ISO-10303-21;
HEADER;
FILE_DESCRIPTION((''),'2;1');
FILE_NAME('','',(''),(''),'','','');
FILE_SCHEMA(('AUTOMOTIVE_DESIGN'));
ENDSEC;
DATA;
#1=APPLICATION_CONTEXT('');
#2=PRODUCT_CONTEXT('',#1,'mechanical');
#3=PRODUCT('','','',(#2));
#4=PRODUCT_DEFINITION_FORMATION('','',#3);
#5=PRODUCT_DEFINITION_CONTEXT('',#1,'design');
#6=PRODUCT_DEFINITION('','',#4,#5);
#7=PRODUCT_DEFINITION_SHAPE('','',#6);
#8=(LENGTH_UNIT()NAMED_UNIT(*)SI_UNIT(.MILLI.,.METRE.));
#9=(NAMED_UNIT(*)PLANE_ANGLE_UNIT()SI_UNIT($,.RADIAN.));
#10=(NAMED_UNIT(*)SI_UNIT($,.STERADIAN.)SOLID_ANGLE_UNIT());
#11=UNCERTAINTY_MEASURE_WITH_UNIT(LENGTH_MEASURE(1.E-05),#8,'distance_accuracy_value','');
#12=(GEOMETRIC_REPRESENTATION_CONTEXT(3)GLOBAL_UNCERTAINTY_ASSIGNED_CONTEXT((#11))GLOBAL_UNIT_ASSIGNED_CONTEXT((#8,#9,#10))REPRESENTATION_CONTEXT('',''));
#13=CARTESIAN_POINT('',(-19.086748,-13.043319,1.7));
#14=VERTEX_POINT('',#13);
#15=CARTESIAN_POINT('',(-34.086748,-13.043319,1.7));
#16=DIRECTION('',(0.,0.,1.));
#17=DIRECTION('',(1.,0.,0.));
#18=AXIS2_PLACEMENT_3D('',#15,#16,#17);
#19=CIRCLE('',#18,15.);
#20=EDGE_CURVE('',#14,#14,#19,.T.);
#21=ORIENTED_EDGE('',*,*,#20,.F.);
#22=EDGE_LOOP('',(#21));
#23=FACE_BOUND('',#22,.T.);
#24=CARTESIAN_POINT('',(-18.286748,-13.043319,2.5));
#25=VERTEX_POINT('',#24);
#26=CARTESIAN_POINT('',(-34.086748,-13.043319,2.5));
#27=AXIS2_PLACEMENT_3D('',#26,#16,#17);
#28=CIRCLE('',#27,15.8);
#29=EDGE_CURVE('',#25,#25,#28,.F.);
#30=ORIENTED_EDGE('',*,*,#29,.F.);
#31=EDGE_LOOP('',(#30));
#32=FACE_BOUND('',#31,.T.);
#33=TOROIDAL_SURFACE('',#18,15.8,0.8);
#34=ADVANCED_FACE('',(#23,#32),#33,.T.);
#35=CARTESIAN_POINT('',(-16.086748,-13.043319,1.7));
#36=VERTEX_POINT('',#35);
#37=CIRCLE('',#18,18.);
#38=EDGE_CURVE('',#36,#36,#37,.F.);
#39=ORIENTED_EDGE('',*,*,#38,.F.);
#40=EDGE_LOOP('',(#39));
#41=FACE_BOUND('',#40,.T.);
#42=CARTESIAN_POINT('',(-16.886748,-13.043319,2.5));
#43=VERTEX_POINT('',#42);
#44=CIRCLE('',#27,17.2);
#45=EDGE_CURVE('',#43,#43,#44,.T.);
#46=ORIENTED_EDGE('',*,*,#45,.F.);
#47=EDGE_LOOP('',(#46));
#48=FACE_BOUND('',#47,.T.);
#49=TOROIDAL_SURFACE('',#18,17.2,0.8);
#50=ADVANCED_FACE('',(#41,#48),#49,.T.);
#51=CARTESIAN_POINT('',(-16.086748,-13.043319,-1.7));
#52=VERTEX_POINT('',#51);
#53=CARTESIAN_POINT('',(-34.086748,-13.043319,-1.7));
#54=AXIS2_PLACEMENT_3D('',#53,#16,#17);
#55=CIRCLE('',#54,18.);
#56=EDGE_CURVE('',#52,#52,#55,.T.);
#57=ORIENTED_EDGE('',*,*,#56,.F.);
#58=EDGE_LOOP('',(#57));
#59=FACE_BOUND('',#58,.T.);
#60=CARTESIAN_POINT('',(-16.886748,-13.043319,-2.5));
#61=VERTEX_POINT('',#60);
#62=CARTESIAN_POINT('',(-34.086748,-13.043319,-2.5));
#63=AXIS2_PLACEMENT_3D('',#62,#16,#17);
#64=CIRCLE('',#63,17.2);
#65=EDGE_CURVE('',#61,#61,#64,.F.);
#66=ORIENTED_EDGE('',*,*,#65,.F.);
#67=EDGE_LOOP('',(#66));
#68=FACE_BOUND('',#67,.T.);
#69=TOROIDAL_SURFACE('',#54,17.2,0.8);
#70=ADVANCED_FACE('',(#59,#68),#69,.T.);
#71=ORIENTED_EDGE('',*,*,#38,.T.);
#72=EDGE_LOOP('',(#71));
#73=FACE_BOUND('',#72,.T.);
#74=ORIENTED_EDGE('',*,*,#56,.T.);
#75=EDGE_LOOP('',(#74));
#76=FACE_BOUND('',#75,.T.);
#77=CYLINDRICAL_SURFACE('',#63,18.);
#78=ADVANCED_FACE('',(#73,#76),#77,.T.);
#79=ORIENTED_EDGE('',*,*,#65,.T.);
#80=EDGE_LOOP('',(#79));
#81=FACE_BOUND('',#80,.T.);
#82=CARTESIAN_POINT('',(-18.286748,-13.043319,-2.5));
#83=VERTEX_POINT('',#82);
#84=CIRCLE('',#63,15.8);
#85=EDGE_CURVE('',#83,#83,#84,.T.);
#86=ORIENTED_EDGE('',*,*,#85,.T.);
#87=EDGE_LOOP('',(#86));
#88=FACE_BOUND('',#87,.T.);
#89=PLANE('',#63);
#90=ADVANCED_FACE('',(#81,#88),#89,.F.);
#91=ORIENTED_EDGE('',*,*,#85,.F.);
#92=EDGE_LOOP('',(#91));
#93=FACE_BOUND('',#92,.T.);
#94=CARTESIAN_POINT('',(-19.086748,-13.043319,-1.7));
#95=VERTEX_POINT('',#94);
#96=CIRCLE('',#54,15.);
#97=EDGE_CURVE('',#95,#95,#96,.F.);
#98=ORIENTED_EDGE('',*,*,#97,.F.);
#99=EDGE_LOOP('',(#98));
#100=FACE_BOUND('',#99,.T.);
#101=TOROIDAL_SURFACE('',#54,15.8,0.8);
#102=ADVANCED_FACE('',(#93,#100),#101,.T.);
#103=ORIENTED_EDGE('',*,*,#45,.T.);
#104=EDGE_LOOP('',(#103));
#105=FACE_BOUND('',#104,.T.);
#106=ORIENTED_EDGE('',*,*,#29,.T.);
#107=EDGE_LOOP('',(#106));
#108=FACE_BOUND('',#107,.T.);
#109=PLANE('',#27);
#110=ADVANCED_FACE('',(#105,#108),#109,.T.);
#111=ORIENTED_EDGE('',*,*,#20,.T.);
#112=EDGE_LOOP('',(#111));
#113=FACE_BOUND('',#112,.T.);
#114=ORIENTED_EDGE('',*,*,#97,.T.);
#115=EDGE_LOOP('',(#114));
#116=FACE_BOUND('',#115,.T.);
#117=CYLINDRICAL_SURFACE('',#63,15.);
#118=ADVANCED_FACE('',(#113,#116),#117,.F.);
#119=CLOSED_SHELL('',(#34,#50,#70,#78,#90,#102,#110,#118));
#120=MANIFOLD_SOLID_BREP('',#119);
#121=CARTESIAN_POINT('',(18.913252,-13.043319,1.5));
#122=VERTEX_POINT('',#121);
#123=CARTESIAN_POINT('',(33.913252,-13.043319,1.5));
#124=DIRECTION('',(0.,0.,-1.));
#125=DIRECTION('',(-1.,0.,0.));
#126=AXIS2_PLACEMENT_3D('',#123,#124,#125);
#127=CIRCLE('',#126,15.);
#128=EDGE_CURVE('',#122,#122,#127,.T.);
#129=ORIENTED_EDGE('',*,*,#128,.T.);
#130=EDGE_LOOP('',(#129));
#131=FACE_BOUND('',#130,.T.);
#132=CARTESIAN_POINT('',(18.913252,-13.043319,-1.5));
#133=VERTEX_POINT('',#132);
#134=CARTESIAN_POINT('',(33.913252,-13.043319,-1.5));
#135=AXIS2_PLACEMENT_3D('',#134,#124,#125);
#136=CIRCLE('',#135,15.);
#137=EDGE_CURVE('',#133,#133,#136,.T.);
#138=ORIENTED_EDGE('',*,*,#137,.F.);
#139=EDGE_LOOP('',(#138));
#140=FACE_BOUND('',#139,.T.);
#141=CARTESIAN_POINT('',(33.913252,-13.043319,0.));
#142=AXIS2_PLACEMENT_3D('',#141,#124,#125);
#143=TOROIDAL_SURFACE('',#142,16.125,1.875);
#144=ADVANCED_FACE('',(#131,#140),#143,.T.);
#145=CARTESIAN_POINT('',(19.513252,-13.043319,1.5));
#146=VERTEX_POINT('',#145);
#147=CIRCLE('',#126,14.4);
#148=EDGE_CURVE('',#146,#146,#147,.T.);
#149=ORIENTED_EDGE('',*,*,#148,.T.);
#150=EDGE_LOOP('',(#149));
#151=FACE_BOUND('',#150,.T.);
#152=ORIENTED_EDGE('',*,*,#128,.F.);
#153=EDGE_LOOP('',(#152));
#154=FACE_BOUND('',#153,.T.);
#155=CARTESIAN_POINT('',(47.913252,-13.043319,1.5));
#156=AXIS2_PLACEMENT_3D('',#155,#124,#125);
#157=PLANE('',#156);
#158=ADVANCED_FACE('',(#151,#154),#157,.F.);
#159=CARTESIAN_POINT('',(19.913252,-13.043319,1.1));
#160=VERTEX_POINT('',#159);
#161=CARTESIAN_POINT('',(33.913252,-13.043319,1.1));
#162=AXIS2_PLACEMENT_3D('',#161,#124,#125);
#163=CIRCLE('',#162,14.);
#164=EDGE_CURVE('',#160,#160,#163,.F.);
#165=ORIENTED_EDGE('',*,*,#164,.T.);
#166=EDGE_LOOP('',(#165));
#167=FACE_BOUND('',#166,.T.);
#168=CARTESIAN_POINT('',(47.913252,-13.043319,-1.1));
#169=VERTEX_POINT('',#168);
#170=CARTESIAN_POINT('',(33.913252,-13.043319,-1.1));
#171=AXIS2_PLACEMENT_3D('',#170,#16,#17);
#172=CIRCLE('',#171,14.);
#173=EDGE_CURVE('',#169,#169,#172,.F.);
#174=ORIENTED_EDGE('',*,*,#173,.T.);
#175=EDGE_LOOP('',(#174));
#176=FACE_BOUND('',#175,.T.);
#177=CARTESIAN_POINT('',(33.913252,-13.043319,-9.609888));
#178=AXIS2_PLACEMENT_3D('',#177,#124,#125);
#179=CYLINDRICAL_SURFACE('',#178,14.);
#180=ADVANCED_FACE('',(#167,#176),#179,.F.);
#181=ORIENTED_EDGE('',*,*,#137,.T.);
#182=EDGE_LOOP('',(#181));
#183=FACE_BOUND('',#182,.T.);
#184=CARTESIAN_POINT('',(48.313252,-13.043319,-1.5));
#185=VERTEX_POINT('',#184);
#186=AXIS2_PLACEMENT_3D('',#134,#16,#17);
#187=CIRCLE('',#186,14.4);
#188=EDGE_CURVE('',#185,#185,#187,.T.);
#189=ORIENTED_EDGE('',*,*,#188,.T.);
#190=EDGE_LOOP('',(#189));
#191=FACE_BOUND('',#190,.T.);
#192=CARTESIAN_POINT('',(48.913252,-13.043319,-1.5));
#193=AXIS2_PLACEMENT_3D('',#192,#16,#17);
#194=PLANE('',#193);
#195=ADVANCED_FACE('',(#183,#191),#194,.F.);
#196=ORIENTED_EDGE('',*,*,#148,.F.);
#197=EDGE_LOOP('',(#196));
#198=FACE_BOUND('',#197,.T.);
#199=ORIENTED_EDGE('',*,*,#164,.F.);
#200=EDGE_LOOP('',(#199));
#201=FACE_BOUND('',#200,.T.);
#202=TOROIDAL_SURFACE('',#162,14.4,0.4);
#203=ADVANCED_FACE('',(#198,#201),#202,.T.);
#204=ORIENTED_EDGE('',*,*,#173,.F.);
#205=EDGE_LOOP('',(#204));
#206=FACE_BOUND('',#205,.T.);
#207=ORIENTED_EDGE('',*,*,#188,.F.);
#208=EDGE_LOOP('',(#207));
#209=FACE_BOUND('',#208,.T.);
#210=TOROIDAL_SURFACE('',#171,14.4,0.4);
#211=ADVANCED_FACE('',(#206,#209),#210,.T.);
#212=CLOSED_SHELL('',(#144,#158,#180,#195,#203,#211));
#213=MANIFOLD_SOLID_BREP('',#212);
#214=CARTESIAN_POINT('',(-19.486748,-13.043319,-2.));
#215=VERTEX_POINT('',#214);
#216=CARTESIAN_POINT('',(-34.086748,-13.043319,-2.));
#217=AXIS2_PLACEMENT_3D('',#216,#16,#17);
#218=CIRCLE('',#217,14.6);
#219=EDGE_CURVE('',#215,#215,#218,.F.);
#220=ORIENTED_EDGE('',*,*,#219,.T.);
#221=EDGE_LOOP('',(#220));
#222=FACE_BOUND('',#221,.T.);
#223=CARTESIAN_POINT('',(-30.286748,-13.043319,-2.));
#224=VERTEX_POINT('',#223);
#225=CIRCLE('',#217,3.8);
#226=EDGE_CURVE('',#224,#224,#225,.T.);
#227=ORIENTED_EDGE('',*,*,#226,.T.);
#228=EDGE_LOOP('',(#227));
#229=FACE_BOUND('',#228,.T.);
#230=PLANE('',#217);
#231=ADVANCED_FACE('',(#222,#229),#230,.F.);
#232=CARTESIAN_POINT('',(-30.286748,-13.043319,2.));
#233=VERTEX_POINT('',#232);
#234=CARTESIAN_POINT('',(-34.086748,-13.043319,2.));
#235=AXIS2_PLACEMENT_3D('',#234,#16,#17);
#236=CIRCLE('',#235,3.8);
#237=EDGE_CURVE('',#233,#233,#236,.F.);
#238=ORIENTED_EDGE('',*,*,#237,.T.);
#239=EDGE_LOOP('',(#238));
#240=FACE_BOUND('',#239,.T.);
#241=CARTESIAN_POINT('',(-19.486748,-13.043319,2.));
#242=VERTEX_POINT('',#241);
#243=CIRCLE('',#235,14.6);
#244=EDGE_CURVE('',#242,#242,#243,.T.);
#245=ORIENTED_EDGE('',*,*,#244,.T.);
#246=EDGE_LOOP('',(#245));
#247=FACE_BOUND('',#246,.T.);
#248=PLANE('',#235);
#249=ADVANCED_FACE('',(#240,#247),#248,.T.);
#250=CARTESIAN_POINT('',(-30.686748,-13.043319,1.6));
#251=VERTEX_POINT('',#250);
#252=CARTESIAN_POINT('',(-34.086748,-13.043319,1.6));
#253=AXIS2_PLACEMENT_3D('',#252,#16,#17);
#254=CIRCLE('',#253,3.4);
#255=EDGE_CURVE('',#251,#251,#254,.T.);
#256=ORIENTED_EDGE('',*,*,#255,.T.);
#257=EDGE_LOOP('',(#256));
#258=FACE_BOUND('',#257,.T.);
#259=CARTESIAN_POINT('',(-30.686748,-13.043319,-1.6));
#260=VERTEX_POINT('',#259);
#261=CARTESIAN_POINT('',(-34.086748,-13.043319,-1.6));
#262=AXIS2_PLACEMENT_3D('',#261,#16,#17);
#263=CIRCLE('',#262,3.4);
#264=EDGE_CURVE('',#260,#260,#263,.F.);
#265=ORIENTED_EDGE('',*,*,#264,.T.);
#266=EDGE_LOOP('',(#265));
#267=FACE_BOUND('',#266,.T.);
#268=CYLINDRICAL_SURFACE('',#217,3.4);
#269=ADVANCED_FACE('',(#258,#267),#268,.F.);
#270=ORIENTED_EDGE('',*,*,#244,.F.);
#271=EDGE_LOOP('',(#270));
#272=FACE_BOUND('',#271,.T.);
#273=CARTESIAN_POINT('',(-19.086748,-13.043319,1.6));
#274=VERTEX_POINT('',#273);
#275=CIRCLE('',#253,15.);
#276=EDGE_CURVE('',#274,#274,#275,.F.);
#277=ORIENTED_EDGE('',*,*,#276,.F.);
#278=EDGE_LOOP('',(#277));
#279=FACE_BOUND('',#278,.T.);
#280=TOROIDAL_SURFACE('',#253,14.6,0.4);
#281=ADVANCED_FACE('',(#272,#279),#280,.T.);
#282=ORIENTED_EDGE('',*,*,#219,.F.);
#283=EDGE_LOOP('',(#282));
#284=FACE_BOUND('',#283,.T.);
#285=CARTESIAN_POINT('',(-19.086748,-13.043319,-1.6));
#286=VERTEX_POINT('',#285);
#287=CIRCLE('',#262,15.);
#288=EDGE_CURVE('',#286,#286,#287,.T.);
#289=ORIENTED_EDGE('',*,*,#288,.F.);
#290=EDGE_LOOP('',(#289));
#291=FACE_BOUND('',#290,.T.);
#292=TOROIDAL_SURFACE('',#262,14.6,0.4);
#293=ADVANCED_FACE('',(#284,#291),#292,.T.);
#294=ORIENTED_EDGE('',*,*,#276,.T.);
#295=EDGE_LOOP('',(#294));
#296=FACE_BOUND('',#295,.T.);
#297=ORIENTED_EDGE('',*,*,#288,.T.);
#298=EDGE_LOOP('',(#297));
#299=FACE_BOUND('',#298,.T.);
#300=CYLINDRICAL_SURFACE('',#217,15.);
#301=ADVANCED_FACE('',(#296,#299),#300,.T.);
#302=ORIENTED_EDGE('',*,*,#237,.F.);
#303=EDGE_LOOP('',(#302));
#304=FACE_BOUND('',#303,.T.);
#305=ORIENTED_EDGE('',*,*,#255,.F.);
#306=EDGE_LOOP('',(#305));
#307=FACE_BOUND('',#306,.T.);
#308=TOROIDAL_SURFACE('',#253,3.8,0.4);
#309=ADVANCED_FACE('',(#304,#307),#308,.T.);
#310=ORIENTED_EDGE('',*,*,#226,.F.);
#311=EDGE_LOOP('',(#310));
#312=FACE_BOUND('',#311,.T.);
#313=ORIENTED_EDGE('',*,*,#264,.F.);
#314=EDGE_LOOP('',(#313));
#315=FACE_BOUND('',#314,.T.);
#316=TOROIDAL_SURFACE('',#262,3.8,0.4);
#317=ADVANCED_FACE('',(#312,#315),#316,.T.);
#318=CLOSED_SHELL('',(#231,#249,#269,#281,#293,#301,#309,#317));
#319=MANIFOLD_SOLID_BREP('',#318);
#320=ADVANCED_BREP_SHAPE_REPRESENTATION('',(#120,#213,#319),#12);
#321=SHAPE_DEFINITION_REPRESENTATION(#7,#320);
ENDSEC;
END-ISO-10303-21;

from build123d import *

# Parameters (mm, degrees)
EXTRUDE_944_DEPTH       = 2
EXTRUDE_944_DEPTH_BACK  = 2
SKETCH_913_R            = 15
SKETCH_913_R_2          = 3.4
FILLET_987_R            = 0.4
EXTRUDE_1200_DEPTH      = 2.5
EXTRUDE_1200_DEPTH_BACK = 2.5
SKETCH_877_R            = 18
SKETCH_877_R_2          = 15
FILLET_1238_R           = 0.8
FILLET_1779_R           = 0.4


with BuildPart() as part:
    # Sketch 913 → Extrude 944 (new, two sides: drawn at the far end of the back side and taken through both)
    with BuildSketch(Plane.XY.offset(-EXTRUDE_944_DEPTH_BACK)):
        with Locations((-34.086747616, -13.043319031)):
            Circle(SKETCH_913_R)
        with Locations((-34.086747616, -13.043319031)):
            Circle(SKETCH_913_R_2, mode=Mode.SUBTRACT)
    extrude(amount=EXTRUDE_944_DEPTH + EXTRUDE_944_DEPTH_BACK)

    # Fillet 987
    fillet_987_edges = [part.edges().sort_by_distance(p)[0] for p in [
        (-49.086747616, -13.043319031, -2),
        (-37.486747616, -13.043319031, -2),
        (-49.086747616, -13.043319031, 2),
        (-37.486747616, -13.043319031, 2),
    ]]
    fillet(fillet_987_edges, radius=FILLET_987_R)


with BuildPart() as body_2:
    # Sketch 877 → Extrude 1200 (new, two sides: drawn at the far end of the back side and taken through both)
    with BuildSketch(Plane.XY.offset(-EXTRUDE_1200_DEPTH_BACK)):
        with Locations((-34.086747616, -13.043319031)):
            Circle(SKETCH_877_R)
        with Locations((-34.086747616, -13.043319031)):
            Circle(SKETCH_877_R_2, mode=Mode.SUBTRACT)
    extrude(amount=EXTRUDE_1200_DEPTH + EXTRUDE_1200_DEPTH_BACK)

    # Fillet 1238
    fillet_1238_edges = [body_2.edges().sort_by_distance(p)[0] for p in [
        (-52.086747616, -13.043319031, -2.5),
        (-49.086747616, -13.043319031, -2.5),
        (-52.086747616, -13.043319031, 2.5),
        (-49.086747616, -13.043319031, 2.5),
    ]]
    fillet(fillet_1238_edges, radius=FILLET_1238_R)


with BuildPart() as body_3:
    # 前轮上视图2 → Revolve 1744 (revolve)
    with BuildSketch(Plane(origin=(0, -13.043319031, 0), x_dir=(1, 0, 0), z_dir=(0, 1, 0)), mode=Mode.PRIVATE) as revolve_1744_sk:
        with BuildLine():
            Line((48.913252384, 1.5), (47.913252384, 1.5))
            Line((47.913252384, 1.5), (47.913252384, -1.5))
            Line((47.913252384, -1.5), (48.913252384, -1.5))
            ThreePointArc((48.913252384, -1.5), (51.913252384, 0), (48.913252384, 1.5))
        make_face()
    revolve(revolve_1744_sk.sketch.rotate(Axis((33.913252384, -13.043319031, -9.609887977), (0, 0, 1)), 180), axis=Axis((33.913252384, -13.043319031, -9.609887977), (0, 0, 1)))

    # Fillet 1779
    fillet_1779_edges = [body_3.edges().sort_by_distance(p)[0] for p in [
        (47.913252384, -13.043319031, -1.5),
        (47.913252384, -13.043319031, 1.5),
    ]]
    fillet(fillet_1779_edges, radius=FILLET_1779_R)


solid = Compound([part.part, body_2.part, body_3.part])
